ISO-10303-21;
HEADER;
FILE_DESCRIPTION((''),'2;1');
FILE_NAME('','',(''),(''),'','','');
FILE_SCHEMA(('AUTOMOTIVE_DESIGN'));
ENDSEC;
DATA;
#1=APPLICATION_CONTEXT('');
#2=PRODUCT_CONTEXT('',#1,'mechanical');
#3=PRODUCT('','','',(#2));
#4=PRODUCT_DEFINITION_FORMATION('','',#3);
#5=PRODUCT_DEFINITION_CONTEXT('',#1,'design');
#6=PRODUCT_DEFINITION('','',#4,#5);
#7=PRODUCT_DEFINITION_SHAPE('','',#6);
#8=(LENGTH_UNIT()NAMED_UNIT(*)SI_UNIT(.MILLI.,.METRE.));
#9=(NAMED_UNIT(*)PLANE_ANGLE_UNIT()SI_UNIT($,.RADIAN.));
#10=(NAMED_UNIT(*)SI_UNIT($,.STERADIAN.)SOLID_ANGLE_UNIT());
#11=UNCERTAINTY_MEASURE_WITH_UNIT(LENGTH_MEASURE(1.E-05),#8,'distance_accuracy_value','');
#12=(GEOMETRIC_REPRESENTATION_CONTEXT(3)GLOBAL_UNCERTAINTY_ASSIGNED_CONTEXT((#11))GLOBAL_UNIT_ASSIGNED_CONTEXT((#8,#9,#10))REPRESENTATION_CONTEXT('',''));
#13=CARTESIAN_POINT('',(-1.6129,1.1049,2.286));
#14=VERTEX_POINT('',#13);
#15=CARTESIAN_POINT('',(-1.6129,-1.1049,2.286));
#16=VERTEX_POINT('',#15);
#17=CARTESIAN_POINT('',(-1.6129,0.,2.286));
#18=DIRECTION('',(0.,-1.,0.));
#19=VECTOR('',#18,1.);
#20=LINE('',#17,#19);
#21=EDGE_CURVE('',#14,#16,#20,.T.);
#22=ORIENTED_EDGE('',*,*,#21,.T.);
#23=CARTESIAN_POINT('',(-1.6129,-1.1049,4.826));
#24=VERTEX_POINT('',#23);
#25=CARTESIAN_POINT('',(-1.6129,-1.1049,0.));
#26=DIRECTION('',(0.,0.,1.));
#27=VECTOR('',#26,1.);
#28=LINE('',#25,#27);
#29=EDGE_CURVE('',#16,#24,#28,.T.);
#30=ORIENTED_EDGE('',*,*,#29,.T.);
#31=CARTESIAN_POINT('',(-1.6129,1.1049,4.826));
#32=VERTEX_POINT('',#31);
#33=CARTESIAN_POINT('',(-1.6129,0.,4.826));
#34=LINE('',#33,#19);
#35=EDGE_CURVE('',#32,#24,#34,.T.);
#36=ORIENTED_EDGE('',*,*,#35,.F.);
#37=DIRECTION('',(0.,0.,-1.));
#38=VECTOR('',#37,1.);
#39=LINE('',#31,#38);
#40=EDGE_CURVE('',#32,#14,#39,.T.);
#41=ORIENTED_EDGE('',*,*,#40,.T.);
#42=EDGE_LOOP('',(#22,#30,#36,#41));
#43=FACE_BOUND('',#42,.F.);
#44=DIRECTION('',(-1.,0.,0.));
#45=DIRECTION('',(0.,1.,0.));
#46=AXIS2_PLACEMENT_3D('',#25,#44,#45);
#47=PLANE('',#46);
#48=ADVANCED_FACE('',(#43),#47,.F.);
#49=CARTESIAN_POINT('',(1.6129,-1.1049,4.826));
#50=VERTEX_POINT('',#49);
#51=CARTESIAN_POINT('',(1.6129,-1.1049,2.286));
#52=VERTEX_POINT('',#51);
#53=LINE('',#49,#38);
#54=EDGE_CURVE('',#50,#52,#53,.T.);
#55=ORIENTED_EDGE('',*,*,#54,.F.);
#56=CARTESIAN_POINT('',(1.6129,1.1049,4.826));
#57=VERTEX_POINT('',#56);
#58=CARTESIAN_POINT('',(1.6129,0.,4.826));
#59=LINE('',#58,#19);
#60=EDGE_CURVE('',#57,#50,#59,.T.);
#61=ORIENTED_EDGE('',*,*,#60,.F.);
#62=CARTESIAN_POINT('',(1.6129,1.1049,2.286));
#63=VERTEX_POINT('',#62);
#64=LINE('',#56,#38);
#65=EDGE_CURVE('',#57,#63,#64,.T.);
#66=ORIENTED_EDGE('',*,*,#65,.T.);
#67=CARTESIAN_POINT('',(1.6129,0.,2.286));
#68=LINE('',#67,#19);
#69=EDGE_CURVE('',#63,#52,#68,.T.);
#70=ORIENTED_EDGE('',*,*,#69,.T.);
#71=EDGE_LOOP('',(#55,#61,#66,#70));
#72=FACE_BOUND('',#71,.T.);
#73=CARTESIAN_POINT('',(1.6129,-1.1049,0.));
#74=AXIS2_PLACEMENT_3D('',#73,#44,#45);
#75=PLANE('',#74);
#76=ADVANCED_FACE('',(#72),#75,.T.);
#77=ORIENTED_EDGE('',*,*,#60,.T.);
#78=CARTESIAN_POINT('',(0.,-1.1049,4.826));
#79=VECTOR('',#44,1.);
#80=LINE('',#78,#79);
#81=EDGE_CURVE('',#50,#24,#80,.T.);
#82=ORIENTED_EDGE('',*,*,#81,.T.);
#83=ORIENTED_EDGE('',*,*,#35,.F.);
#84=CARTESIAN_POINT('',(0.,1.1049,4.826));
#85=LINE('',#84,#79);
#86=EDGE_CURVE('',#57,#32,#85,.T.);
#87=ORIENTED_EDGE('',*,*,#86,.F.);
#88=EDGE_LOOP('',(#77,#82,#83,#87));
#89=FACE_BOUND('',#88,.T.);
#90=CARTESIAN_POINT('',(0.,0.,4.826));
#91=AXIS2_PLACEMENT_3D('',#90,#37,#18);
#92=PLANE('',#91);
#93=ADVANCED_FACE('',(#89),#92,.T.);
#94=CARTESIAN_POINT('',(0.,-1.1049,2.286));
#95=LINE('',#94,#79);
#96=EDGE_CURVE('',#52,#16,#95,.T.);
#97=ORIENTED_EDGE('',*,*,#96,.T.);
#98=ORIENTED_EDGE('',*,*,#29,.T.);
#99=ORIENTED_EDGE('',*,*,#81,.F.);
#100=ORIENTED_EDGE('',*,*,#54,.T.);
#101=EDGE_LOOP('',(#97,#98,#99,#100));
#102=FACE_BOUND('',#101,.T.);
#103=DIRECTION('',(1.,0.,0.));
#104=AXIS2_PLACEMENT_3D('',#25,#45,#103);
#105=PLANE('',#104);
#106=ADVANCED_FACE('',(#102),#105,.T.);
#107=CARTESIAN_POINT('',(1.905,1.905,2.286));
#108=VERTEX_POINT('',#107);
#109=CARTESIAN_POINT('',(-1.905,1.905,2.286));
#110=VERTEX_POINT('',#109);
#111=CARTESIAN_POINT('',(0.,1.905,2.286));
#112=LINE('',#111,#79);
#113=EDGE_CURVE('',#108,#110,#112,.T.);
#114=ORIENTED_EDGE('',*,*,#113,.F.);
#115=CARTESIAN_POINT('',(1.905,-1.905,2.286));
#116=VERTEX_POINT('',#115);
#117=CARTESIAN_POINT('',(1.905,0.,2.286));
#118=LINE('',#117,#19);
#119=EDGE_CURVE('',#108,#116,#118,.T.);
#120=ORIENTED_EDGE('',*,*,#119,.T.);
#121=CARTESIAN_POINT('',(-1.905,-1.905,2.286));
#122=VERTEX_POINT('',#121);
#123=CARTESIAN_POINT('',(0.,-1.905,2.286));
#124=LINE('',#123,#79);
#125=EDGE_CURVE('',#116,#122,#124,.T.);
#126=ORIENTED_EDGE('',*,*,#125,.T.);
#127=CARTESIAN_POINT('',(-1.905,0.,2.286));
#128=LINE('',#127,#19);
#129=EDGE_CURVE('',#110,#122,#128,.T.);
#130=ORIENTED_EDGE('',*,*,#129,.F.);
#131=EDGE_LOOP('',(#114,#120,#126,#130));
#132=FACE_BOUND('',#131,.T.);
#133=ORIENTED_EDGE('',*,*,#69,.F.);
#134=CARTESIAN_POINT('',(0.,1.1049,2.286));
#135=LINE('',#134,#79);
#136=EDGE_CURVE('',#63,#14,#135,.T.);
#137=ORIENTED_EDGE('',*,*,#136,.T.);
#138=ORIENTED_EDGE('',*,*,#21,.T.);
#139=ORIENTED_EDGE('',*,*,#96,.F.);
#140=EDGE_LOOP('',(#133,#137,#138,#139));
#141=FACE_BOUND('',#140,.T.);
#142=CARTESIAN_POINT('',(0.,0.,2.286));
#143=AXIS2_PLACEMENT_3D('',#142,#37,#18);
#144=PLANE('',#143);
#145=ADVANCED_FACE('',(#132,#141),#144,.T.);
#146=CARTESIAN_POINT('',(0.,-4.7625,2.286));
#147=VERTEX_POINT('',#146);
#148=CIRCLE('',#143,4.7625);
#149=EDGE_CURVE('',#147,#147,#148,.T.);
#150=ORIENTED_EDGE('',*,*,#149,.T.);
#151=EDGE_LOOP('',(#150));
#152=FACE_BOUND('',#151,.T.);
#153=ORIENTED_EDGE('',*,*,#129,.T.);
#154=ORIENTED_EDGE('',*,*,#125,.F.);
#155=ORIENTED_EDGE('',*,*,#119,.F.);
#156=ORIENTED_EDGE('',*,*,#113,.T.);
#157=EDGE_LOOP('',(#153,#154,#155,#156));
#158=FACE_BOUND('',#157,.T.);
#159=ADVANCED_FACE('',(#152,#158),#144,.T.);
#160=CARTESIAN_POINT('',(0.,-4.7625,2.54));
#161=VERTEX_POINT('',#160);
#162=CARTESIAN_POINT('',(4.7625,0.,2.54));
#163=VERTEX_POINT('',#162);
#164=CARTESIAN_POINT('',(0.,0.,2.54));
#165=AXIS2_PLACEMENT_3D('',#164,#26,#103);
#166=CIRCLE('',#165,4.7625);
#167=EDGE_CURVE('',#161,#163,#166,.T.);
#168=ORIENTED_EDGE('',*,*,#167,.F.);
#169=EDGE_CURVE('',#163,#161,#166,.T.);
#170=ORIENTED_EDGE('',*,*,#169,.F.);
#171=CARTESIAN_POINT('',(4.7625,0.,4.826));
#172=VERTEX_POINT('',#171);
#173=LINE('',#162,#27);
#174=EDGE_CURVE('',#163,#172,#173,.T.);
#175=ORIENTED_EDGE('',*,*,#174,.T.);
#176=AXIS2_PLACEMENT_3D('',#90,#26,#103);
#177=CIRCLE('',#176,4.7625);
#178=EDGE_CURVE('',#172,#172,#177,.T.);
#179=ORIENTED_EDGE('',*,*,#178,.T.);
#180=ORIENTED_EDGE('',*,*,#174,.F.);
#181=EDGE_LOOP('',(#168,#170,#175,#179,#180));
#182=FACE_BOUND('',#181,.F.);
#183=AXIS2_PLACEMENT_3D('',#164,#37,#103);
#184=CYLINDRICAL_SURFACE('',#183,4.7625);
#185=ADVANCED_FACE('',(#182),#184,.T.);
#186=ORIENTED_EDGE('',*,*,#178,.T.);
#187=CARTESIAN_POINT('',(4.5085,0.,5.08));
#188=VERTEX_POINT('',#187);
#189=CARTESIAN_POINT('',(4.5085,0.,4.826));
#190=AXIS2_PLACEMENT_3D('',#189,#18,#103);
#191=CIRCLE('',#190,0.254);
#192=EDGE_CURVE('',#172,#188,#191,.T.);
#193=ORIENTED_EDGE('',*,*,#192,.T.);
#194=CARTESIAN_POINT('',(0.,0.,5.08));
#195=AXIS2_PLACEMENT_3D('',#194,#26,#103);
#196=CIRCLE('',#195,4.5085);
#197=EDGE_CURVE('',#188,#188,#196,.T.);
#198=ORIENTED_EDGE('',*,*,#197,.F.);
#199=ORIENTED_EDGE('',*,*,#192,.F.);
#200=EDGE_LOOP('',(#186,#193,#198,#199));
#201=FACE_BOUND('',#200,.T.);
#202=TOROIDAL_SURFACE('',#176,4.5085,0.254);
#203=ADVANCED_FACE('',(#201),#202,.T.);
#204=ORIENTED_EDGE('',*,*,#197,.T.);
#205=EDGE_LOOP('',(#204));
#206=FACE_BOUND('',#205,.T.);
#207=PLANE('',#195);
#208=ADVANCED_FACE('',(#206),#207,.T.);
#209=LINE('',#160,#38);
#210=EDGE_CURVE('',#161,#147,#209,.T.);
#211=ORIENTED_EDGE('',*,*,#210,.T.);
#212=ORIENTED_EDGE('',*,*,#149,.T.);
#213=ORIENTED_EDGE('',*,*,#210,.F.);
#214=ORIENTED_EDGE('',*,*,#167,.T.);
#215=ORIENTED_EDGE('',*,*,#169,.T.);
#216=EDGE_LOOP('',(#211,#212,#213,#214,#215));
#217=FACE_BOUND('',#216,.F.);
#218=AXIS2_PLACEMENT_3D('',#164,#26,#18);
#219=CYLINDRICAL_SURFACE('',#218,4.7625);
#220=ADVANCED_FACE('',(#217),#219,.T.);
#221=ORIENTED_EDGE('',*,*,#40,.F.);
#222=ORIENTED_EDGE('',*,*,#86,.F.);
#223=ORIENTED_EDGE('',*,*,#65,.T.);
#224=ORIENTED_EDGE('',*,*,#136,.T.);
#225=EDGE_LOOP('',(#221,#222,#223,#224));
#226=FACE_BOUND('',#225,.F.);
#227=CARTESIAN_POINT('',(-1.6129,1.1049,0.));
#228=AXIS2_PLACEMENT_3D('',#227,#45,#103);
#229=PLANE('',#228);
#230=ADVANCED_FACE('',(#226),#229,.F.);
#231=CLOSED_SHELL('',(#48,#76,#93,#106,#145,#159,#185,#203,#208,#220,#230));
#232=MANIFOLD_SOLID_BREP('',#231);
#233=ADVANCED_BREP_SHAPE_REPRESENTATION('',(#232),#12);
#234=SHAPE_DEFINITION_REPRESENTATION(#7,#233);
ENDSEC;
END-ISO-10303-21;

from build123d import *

# Parameters (mm, degrees)
SKETCH_W           = 3.81
SKETCH_H           = 3.81
SKETCH_W_2         = 3.2258
SKETCH_H_2         = 2.2098
PAD_DEPTH          = 2.54
SKETCH001_R        = 4.7625
PAD001_DEPTH       = 2.54
FILLET_R           = 0.254
FILLET_FACE14_W    = 2.2098
FILLET_FACE14_H    = 3.2258
POCKET_DEPTH       = 2.286
POCKET_FACE11_W    = 3.81
POCKET_FACE11_H    = 3.81
POCKET_FACE11_W_2  = 2.2098
POCKET_FACE11_H_2  = 3.2258
POCKET001_DEPTH    = 2.286
POCKET001_FACE11_R = 4.7625
POCKET001_FACE11_W = 3.81
POCKET001_FACE11_H = 3.81
PAD002_DEPTH       = 0.254


with BuildPart() as part:
    # Sketch → Pad (new body)
    with BuildSketch(Plane.XY):
        Rectangle(SKETCH_W, SKETCH_H)
        Rectangle(SKETCH_W_2, SKETCH_H_2, mode=Mode.SUBTRACT)
    extrude(amount=PAD_DEPTH)

    # Sketch001 (on Face10 of Pad) → Pad001 (join)
    with BuildSketch(Plane.XY.offset(2.54)):
        Circle(SKETCH001_R)
    extrude(amount=PAD001_DEPTH)

    # Fillet
    fillet_edges = [part.edges().sort_by_distance(p)[0] for p in [
        (-4.7625, 0, 5.08),
    ]]
    fillet(fillet_edges, radius=FILLET_R)

    # Fillet Face14 → Pocket (cut)
    with BuildSketch(Plane(origin=(0, 0, 2.54), x_dir=(0, -1, 0), z_dir=(0, 0, -1))):
        Rectangle(FILLET_FACE14_W, FILLET_FACE14_H)
    extrude(amount=-POCKET_DEPTH, mode=Mode.SUBTRACT)

    # Pocket Face11 → Pocket001 (cut)
    with BuildSketch(Plane(origin=(0, 0, 0), x_dir=(0, -1, 0), z_dir=(0, 0, -1))):
        Rectangle(POCKET_FACE11_W, POCKET_FACE11_H)
        Rectangle(POCKET_FACE11_W_2, POCKET_FACE11_H_2, mode=Mode.SUBTRACT)
    extrude(amount=-POCKET001_DEPTH, mode=Mode.SUBTRACT)

    # Pocket001 Face11 → Pad002 (add)
    with BuildSketch(Plane(origin=(0, 0, 2.54), x_dir=(0, -1, 0), z_dir=(0, 0, -1))):
        Circle(POCKET001_FACE11_R)
        Rectangle(POCKET001_FACE11_W, POCKET001_FACE11_H, mode=Mode.SUBTRACT)
    extrude(amount=PAD002_DEPTH)


solid = part.part
